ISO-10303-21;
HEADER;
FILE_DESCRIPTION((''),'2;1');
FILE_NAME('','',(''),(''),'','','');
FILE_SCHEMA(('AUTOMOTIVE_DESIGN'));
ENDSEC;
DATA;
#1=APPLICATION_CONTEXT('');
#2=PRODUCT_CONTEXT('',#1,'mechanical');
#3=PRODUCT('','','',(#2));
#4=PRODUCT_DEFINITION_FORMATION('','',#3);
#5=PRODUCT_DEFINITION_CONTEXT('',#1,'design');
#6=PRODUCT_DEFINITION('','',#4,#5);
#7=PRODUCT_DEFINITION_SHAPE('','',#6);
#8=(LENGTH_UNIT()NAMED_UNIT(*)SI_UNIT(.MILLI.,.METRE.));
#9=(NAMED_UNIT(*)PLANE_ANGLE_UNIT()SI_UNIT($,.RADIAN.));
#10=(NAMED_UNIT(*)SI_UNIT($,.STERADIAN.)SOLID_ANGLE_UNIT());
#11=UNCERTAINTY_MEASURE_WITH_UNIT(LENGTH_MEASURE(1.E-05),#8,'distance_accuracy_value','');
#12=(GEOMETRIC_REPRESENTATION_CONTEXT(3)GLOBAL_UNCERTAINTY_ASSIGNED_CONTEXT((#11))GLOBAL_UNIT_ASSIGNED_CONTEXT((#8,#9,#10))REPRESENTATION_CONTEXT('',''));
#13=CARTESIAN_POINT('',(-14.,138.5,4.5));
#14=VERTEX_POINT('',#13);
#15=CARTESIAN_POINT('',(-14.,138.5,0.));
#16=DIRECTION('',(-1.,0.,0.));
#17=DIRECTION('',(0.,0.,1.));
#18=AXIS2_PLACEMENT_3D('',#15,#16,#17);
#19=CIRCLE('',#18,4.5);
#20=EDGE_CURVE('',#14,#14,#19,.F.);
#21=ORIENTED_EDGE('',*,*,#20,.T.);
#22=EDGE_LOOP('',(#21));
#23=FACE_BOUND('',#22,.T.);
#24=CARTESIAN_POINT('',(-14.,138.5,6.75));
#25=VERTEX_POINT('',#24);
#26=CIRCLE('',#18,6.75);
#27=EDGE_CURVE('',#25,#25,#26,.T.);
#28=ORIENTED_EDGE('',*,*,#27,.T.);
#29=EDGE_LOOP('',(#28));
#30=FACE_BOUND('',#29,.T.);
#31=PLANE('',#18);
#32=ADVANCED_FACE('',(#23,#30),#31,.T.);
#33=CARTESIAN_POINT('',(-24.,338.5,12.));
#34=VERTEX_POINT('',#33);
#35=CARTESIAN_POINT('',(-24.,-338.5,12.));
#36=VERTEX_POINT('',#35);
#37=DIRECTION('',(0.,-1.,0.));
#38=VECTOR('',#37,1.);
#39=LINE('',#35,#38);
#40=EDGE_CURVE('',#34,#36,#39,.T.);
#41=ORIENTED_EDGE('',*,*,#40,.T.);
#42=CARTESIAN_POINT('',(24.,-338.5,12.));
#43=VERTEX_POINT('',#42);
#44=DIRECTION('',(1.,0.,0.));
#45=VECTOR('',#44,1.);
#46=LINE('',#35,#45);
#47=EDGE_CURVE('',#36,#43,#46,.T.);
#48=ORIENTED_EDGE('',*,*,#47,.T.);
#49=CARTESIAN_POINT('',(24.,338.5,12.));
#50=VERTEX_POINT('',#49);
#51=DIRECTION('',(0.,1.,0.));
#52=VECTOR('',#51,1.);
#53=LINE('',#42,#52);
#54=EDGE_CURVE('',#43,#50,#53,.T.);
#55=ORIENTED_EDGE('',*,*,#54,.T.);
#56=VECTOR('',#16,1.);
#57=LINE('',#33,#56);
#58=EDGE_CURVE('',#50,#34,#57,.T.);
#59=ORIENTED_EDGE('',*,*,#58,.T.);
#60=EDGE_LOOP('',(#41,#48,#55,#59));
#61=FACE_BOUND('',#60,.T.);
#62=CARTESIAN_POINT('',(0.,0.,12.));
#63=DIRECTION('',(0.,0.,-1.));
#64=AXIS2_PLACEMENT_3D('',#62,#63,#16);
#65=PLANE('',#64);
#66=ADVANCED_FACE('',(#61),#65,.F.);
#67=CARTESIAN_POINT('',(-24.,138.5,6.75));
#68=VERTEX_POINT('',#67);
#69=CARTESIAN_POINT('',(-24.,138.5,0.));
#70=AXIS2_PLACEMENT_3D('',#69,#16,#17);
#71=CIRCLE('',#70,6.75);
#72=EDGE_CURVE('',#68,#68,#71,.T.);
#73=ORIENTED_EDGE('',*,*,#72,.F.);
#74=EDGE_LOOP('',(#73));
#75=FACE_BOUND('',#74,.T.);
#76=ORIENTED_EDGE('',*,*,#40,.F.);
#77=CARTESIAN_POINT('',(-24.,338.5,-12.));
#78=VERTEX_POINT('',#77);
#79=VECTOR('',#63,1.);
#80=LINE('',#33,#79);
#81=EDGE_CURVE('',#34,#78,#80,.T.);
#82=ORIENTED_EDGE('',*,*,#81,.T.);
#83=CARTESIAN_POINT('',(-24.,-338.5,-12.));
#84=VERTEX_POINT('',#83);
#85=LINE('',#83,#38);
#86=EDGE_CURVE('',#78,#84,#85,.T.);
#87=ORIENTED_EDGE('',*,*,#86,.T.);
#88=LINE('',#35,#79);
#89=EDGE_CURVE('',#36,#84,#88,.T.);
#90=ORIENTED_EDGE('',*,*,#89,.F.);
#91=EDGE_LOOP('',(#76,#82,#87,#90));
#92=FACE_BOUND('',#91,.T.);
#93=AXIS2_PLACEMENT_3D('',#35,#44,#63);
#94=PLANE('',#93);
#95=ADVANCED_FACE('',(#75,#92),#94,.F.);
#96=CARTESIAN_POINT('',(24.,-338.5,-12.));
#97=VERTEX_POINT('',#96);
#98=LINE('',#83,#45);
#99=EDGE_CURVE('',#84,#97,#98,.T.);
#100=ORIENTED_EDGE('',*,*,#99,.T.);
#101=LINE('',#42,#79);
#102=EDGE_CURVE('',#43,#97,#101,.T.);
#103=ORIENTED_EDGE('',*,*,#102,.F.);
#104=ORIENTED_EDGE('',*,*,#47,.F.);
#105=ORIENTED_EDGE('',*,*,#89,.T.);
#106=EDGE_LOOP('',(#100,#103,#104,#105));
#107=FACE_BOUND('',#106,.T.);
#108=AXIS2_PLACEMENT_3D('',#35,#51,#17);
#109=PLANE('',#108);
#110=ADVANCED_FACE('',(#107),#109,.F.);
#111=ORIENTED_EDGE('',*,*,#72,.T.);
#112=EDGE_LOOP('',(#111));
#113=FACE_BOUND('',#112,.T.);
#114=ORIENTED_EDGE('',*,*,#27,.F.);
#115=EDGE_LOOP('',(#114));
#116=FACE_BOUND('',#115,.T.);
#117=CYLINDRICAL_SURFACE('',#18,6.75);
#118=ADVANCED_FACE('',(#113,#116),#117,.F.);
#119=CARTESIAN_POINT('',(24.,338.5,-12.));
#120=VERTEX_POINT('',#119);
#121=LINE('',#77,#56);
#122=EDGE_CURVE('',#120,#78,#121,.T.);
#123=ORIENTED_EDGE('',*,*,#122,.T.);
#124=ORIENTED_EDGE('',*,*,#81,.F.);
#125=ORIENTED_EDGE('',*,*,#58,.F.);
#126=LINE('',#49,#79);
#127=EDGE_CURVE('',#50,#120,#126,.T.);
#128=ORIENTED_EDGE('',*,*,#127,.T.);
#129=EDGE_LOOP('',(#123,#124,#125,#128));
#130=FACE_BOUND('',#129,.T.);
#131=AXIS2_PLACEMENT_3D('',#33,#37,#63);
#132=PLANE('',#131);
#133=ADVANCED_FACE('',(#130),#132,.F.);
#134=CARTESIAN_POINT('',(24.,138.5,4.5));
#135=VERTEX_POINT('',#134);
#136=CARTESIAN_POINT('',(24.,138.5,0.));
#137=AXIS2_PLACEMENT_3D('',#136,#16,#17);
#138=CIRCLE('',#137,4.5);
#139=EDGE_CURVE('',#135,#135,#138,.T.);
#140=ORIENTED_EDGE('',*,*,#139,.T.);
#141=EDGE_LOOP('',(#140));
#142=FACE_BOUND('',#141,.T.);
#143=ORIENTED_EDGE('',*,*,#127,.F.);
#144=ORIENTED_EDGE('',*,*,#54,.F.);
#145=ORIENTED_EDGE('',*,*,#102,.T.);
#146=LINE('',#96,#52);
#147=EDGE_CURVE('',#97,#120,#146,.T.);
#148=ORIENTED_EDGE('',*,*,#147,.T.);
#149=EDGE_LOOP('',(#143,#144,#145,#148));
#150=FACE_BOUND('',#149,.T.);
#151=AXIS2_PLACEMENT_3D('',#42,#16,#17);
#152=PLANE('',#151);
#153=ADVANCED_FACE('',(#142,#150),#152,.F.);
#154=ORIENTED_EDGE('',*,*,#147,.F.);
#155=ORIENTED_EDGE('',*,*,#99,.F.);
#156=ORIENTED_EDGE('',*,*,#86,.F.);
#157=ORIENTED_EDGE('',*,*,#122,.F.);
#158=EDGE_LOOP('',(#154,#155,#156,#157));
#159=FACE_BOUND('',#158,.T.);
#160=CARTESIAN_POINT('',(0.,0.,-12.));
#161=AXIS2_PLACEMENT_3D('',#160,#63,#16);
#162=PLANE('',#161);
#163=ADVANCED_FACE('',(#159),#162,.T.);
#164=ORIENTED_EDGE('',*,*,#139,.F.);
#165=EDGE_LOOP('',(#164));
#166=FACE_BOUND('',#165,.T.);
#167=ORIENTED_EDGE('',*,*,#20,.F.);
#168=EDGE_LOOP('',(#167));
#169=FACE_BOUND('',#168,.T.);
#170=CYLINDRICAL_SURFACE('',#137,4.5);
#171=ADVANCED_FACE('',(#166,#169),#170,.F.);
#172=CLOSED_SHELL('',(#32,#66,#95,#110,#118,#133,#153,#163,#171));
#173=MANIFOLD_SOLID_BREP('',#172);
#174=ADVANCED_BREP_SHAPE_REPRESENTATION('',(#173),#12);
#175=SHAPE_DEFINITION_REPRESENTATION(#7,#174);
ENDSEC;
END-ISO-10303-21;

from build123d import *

# Parameters (mm, degrees)
ESQUISSE1_W             = 48
ESQUISSE1_H             = 677
BOSS_EXTRU_1_DEPTH      = 12
ESQUISSE3_R             = 4.5
ENL_V_MAT_EXTRU_2_DEPTH = 343.096843014
ESQUISSE5_R             = 6.75
ENL_V_MAT_EXTRU_4_DEPTH = 10


with BuildPart() as part:
    # Esquisse1 → Boss.-Extru.1 (new, symmetric)
    with BuildSketch(Plane.XY):
        Rectangle(ESQUISSE1_W, ESQUISSE1_H)
    extrude(amount=BOSS_EXTRU_1_DEPTH, both=True)

    # Esquisse3 → Enlèv. mat.-Extru.2 (cut, through all)
    with BuildSketch(Plane.ZY.offset(24)):
        with Locations((0, 138.5)):
            Circle(ESQUISSE3_R)
    extrude(amount=-ENL_V_MAT_EXTRU_2_DEPTH, mode=Mode.SUBTRACT)

    # Esquisse5 → Enlèv. mat.-Extru.4 (cut)
    with BuildSketch(Plane.ZY.offset(24)):
        with Locations((0, 138.5)):
            Circle(ESQUISSE5_R)
    extrude(amount=-ENL_V_MAT_EXTRU_4_DEPTH, mode=Mode.SUBTRACT)


solid = part.part
